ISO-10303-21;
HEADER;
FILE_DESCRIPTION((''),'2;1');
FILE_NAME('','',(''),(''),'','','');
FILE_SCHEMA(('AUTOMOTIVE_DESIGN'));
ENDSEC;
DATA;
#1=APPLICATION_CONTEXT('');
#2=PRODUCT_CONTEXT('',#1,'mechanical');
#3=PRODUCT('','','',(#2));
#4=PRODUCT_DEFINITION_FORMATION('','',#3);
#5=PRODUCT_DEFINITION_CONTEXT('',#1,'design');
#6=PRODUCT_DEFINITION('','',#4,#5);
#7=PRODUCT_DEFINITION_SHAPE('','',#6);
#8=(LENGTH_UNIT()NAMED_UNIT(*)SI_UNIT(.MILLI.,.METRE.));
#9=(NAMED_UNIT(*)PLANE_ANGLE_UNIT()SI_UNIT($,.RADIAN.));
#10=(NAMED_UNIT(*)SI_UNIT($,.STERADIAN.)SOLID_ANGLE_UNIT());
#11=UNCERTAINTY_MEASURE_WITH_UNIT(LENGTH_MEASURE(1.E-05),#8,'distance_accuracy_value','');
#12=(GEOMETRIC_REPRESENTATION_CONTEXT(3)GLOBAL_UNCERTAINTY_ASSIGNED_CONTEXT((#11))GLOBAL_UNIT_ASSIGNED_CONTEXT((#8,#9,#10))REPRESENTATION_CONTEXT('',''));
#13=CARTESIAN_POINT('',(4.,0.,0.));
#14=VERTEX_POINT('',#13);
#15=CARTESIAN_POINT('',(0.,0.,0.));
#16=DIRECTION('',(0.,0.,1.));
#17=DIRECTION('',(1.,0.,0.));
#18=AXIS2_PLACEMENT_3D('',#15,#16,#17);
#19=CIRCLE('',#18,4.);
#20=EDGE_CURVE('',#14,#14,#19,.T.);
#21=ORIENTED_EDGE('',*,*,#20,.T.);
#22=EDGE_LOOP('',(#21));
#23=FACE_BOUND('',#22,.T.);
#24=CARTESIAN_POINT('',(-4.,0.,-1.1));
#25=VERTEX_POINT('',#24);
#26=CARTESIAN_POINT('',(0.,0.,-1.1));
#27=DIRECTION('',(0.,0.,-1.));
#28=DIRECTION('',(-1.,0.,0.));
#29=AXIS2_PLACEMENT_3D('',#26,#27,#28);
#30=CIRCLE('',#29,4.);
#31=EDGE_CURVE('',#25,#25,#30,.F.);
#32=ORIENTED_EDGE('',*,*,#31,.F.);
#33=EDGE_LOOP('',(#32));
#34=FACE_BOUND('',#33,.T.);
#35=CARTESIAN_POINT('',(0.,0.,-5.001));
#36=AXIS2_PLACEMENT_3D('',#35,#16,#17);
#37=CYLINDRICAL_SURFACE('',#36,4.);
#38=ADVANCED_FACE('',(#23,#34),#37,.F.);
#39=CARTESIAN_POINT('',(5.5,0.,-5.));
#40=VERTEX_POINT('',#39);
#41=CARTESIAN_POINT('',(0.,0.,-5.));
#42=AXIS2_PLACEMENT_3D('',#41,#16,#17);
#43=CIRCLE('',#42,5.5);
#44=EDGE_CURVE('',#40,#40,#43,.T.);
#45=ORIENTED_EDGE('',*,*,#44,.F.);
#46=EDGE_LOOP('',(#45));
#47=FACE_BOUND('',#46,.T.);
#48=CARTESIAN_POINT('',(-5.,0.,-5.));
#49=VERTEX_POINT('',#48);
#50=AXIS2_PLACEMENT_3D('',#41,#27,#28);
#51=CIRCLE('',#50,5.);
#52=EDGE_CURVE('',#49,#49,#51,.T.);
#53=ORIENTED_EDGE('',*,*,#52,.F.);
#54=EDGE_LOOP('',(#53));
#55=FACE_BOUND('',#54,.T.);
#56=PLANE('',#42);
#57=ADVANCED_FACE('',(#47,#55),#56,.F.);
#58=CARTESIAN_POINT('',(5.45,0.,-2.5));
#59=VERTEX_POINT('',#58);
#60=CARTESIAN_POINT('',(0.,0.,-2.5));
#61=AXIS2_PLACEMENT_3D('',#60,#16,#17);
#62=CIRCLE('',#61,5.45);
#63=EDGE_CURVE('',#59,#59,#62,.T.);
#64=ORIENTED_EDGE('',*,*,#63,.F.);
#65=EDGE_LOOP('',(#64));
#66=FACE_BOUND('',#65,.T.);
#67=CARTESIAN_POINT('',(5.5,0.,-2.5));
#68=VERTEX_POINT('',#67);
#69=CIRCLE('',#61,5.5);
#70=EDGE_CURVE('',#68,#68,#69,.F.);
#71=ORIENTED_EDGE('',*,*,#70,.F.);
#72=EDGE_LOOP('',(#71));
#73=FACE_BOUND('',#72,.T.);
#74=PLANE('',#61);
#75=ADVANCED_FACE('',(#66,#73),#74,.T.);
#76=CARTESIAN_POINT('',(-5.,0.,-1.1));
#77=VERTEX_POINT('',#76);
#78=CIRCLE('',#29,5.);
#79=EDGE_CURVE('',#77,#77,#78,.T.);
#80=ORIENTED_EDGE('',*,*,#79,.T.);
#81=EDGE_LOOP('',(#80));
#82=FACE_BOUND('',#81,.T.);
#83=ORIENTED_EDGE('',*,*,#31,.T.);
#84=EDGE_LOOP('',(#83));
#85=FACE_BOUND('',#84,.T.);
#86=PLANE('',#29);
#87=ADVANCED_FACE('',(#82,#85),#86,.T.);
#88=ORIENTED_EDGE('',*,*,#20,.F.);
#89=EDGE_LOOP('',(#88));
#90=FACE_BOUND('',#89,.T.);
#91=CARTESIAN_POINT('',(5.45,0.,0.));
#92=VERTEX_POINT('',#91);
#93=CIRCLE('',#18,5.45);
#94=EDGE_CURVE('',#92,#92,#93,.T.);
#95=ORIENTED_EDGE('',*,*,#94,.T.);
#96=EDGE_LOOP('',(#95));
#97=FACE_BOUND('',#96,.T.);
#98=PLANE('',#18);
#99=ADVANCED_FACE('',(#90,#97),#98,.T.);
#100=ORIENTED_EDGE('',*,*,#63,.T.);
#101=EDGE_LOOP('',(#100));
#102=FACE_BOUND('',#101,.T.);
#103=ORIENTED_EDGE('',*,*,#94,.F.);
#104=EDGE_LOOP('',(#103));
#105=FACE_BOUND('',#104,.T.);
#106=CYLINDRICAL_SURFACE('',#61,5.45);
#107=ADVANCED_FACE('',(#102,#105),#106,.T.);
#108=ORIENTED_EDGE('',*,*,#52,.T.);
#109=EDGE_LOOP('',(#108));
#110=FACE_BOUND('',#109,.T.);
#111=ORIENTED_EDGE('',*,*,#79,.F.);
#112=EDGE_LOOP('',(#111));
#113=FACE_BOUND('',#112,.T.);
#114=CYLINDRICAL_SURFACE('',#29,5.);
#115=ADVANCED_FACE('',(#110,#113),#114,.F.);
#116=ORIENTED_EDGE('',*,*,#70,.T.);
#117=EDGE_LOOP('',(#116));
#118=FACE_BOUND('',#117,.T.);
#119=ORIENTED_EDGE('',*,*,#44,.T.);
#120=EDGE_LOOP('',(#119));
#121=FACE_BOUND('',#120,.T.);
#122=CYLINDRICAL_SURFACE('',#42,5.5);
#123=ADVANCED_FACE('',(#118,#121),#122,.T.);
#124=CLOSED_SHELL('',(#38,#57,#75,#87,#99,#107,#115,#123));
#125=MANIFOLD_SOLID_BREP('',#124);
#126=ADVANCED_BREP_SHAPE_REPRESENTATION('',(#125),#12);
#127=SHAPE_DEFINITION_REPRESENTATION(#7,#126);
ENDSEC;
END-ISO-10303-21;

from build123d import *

# Parameters (mm, degrees)
SKETCH1_R           = 5.5
BOSS_EXTRUDE1_DEPTH = 5
SKETCH2_R           = 5
CUT_EXTRUDE1_DEPTH  = 3.9
CUT_EXTRUDE2_REACH  = 7
SKETCH3_R           = 4
SKETCH4_OUTSIDE_W   = 16.268
SKETCH4_OUTSIDE_H   = 16.268
SKETCH4_OUTSIDE_R   = 5.45
CUT_EXTRUDE3_DEPTH  = 2.5


with BuildPart() as part:
    # Sketch1 → Boss-Extrude1 (new body)
    with BuildSketch(Plane.XY):
        Circle(SKETCH1_R)
    extrude(amount=-BOSS_EXTRUDE1_DEPTH)

    # Sketch2 → Cut-Extrude1 (cut)
    with BuildSketch(Plane(origin=(0, 0, -5), x_dir=(-1, 0, 0), z_dir=(0, 0, -1))):
        Circle(SKETCH2_R)
    extrude(amount=-CUT_EXTRUDE1_DEPTH, mode=Mode.SUBTRACT)

    # Sketch3 → Cut-Extrude2 (cut, up to next)
    with BuildSketch(Plane.XY, mode=Mode.PRIVATE) as cut_extrude2_sk1:
        Circle(SKETCH3_R)
    cut_extrude2_tool1 = extrude(cut_extrude2_sk1.sketch, amount=-CUT_EXTRUDE2_REACH, mode=Mode.PRIVATE) & part.part
    add(cut_extrude2_tool1.solids().sort_by_distance((0, 0, 0))[0], mode=Mode.SUBTRACT)

    # Sketch4 outside → Cut-Extrude3 (cut)
    with BuildSketch(Plane.XY):
        Rectangle(SKETCH4_OUTSIDE_W, SKETCH4_OUTSIDE_H)
        Circle(SKETCH4_OUTSIDE_R, mode=Mode.SUBTRACT)
    extrude(amount=-CUT_EXTRUDE3_DEPTH, mode=Mode.SUBTRACT)


solid = part.part
